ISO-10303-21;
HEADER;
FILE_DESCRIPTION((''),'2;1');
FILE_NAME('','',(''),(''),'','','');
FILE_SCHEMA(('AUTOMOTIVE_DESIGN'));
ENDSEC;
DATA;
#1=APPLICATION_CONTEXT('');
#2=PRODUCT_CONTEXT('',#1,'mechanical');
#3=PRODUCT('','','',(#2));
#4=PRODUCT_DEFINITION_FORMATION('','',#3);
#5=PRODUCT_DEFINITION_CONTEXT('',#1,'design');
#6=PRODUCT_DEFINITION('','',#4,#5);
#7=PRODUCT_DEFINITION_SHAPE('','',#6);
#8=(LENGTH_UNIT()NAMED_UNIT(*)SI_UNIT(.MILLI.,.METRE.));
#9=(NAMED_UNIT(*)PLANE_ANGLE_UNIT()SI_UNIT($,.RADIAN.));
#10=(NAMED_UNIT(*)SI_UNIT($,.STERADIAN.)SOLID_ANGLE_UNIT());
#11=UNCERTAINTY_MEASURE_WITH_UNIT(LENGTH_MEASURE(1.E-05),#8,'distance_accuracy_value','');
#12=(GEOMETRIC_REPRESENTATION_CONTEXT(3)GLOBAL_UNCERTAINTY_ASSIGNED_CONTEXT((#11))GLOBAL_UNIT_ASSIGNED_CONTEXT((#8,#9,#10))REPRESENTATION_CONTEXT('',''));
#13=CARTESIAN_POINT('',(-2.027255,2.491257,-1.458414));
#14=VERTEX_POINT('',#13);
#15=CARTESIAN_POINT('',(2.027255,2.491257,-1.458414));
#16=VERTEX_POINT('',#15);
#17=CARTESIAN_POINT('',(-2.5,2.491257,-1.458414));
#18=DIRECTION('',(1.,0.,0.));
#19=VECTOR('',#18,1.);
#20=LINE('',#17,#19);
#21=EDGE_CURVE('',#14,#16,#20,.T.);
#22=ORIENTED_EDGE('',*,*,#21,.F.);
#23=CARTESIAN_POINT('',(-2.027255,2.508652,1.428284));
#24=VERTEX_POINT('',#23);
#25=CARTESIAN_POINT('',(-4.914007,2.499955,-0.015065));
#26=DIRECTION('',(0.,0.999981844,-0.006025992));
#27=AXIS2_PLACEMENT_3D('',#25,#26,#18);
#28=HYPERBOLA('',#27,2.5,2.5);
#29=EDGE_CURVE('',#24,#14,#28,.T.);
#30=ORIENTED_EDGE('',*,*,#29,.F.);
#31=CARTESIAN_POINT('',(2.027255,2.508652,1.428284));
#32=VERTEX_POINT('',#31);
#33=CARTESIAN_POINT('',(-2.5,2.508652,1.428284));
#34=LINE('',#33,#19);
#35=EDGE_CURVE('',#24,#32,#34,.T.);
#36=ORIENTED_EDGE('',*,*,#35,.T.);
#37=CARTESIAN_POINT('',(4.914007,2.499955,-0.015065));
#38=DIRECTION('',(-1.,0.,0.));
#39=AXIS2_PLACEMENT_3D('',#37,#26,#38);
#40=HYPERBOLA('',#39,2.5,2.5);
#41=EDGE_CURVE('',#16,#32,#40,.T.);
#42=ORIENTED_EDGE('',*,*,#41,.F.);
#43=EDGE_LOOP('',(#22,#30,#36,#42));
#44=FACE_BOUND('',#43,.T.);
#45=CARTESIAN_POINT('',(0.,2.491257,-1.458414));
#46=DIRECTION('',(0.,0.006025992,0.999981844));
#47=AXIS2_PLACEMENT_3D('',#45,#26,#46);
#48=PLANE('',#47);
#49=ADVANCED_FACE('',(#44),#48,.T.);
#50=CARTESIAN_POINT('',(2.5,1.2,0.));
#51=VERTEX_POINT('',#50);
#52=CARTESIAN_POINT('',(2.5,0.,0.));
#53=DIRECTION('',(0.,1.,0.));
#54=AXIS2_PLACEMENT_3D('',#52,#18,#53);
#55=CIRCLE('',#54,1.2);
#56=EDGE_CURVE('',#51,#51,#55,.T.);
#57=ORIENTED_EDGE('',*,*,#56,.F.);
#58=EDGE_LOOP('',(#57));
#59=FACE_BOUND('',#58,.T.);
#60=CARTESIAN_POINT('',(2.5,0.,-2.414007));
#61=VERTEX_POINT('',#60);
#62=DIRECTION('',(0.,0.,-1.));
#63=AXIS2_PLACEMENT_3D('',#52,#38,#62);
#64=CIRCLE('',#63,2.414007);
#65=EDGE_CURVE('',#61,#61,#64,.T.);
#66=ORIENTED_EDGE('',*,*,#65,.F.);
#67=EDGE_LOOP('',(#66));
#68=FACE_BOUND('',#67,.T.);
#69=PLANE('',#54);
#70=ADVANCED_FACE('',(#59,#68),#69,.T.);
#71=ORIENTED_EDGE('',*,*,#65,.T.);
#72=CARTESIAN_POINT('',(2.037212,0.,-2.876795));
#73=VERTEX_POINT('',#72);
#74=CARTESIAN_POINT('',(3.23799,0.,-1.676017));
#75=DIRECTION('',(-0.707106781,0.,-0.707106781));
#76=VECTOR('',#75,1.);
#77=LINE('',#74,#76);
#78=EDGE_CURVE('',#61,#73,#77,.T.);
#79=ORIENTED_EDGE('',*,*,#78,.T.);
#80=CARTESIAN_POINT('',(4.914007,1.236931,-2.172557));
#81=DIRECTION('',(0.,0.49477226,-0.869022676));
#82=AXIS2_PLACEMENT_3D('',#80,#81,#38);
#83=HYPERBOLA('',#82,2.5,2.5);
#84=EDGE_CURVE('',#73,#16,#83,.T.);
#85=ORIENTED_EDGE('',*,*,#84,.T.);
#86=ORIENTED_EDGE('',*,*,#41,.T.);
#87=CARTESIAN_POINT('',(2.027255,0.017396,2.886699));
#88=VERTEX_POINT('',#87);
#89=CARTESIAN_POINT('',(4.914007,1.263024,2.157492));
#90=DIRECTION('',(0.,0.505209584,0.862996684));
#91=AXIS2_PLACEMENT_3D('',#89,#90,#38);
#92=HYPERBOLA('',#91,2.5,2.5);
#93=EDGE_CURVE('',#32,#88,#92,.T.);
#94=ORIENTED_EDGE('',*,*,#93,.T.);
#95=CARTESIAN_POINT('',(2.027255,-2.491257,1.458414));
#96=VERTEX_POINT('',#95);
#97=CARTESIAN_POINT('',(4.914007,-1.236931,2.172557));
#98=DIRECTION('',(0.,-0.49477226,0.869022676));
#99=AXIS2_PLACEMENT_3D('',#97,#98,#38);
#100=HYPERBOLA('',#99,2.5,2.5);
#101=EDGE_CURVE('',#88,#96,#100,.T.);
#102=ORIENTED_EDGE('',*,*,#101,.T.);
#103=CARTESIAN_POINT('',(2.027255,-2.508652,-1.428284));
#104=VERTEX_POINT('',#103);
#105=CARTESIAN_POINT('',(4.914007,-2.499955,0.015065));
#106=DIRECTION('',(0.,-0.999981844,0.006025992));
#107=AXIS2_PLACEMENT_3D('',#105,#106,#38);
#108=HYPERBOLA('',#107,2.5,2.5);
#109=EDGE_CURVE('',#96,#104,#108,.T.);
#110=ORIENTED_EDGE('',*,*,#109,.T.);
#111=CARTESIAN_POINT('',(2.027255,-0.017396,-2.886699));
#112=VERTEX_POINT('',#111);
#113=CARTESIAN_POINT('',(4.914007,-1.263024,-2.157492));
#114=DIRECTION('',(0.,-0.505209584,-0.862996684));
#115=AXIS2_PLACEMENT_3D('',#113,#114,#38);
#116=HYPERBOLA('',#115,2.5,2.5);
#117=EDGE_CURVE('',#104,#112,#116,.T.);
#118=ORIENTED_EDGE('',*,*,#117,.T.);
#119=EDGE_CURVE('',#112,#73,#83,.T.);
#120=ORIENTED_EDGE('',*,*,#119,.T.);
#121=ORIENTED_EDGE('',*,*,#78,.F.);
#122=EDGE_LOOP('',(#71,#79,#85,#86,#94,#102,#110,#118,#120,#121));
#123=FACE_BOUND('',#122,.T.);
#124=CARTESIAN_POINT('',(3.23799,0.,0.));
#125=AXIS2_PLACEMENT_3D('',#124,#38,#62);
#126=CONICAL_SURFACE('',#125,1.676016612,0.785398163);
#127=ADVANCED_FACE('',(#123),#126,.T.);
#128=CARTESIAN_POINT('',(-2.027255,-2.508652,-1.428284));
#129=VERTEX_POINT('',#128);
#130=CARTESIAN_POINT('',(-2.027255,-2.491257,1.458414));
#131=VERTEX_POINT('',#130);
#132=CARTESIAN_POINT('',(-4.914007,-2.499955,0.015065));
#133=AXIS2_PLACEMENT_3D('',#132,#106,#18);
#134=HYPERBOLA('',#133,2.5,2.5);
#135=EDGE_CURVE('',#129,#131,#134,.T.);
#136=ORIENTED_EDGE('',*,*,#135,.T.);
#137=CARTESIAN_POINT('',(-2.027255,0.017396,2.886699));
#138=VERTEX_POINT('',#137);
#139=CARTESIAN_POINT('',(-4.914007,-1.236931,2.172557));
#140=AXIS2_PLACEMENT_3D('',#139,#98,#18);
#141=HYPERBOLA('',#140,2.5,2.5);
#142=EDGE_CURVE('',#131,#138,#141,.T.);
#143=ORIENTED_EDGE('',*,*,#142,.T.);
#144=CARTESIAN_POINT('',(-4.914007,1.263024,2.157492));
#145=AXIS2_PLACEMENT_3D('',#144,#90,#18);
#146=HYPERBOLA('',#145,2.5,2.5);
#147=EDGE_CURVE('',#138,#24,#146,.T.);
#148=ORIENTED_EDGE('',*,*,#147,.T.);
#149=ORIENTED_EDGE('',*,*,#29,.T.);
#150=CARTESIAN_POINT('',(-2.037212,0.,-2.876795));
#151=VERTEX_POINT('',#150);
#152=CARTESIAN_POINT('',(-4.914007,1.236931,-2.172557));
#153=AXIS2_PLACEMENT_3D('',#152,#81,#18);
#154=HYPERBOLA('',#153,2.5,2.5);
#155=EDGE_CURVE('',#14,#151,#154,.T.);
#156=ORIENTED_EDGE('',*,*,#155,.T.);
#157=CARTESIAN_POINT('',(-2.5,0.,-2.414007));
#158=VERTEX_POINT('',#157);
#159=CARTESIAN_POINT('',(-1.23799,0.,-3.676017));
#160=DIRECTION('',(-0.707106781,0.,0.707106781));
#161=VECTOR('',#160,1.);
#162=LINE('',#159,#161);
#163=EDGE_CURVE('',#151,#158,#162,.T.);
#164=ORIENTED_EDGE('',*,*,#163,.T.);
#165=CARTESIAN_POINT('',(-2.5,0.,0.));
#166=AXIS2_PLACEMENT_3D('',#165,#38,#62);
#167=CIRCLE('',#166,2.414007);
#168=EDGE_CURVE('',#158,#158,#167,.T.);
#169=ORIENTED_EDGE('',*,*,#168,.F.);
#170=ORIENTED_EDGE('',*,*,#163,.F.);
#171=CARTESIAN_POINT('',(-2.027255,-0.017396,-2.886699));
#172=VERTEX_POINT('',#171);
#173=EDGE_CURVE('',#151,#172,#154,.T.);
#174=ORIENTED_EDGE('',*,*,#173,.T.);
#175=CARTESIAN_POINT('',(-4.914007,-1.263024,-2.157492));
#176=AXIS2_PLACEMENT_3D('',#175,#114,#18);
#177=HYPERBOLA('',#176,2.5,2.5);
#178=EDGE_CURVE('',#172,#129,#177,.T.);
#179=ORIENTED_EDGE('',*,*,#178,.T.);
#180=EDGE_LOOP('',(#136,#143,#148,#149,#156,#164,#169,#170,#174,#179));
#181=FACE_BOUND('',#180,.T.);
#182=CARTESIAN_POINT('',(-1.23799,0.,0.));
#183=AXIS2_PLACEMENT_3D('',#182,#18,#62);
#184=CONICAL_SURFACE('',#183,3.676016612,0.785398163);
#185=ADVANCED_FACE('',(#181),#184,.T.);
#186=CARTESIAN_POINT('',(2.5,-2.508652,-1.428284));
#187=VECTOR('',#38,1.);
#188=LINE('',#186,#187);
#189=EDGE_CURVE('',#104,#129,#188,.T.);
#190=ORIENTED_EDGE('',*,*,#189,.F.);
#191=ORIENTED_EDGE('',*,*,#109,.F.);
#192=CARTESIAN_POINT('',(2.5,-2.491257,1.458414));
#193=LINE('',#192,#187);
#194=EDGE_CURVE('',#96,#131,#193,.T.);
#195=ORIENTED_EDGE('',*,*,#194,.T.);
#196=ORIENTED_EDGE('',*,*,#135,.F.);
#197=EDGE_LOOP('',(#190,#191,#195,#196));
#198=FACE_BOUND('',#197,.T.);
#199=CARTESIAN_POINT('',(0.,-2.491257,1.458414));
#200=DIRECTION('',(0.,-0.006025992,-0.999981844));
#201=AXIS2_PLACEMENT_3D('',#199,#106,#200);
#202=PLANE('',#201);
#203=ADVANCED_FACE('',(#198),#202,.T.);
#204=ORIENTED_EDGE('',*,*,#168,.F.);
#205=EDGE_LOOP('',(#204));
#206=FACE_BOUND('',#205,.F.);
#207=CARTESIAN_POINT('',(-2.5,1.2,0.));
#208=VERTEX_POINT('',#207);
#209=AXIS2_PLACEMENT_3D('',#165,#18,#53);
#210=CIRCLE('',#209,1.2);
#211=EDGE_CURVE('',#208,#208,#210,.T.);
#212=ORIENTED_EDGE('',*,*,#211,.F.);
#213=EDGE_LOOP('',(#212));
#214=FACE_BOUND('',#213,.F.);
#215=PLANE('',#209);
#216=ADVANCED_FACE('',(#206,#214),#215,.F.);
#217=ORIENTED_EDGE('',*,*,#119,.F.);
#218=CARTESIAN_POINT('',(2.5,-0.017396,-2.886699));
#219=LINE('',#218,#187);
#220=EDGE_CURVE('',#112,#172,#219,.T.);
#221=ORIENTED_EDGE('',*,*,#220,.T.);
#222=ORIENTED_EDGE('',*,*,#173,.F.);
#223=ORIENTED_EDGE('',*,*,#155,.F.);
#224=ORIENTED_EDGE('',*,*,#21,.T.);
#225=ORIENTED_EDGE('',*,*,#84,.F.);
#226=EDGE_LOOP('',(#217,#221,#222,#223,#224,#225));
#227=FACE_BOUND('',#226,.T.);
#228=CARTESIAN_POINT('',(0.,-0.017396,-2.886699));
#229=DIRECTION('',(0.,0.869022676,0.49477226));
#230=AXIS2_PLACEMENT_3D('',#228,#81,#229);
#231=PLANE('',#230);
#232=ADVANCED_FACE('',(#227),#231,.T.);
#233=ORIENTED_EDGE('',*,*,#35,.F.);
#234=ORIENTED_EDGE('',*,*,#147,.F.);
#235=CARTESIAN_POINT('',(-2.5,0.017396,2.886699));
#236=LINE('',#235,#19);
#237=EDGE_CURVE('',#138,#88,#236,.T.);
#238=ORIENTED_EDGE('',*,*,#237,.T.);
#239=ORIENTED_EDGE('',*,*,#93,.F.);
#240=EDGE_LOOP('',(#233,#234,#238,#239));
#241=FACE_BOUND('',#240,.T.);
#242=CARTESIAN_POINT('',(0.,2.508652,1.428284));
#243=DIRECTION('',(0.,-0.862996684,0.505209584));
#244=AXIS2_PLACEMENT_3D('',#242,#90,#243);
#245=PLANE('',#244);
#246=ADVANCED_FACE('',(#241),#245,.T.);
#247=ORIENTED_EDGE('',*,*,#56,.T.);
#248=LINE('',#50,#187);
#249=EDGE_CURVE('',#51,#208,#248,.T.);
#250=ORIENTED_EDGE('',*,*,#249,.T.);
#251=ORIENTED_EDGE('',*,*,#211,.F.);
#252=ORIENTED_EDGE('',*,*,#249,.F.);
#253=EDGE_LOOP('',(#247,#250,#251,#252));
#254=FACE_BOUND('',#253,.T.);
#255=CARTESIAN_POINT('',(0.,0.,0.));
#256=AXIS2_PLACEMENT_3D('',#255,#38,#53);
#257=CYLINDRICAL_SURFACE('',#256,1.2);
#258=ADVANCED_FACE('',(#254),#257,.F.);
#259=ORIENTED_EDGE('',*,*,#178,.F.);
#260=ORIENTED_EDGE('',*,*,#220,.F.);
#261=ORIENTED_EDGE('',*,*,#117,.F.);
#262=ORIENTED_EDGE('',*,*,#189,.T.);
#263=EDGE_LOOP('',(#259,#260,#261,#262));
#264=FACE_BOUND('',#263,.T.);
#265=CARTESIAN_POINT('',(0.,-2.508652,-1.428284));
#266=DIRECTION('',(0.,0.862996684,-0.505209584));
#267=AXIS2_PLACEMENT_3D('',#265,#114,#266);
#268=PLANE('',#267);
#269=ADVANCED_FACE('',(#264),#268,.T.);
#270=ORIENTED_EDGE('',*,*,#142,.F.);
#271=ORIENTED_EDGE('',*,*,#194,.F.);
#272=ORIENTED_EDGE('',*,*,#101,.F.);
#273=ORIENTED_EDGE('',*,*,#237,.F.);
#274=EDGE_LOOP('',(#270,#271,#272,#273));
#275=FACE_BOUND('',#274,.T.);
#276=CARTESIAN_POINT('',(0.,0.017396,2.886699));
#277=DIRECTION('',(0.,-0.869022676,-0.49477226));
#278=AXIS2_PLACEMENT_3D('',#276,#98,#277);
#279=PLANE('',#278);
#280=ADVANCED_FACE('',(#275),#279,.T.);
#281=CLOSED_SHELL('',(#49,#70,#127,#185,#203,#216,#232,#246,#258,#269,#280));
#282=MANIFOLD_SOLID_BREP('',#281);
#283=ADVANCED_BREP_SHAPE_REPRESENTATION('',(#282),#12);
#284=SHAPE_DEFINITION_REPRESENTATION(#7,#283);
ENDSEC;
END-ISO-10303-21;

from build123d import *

# Parameters (mm, degrees)
F0_R     = 1.2
F1_DEPTH = 2.5


with BuildPart() as f1:
    # F0 (on Right) → F1 (new body, symmetric)
    with BuildSketch(Plane.YZ):
        Polygon((-0.0173955408, -2.8866989328), (2.4912568385, -1.4584144466), (2.5086523793, 1.4282844861), (0.0173955408, 2.8866989328), (-2.4912568385, 1.4584144466), (-2.5086523793, -1.4282844861), align=None)
        Circle(F0_R, mode=Mode.SUBTRACT)
    extrude(amount=F1_DEPTH, both=True)

    # F2 (on Front) → F3 (revolve, cut)
    with BuildSketch(Plane.XZ):
        Polygon((3.23799, -3.6760166123), (3.23799, -1.6760166123), (1.23799, -3.6760166123), align=None)
        Polygon((-3.23799, -1.6760166123), (-3.23799, -3.6760166123), (-1.23799, -3.6760166123), align=None)
    revolve(axis=Axis((0, 0, 0), (-1, 0, 0)), mode=Mode.SUBTRACT)


solid = f1.part
